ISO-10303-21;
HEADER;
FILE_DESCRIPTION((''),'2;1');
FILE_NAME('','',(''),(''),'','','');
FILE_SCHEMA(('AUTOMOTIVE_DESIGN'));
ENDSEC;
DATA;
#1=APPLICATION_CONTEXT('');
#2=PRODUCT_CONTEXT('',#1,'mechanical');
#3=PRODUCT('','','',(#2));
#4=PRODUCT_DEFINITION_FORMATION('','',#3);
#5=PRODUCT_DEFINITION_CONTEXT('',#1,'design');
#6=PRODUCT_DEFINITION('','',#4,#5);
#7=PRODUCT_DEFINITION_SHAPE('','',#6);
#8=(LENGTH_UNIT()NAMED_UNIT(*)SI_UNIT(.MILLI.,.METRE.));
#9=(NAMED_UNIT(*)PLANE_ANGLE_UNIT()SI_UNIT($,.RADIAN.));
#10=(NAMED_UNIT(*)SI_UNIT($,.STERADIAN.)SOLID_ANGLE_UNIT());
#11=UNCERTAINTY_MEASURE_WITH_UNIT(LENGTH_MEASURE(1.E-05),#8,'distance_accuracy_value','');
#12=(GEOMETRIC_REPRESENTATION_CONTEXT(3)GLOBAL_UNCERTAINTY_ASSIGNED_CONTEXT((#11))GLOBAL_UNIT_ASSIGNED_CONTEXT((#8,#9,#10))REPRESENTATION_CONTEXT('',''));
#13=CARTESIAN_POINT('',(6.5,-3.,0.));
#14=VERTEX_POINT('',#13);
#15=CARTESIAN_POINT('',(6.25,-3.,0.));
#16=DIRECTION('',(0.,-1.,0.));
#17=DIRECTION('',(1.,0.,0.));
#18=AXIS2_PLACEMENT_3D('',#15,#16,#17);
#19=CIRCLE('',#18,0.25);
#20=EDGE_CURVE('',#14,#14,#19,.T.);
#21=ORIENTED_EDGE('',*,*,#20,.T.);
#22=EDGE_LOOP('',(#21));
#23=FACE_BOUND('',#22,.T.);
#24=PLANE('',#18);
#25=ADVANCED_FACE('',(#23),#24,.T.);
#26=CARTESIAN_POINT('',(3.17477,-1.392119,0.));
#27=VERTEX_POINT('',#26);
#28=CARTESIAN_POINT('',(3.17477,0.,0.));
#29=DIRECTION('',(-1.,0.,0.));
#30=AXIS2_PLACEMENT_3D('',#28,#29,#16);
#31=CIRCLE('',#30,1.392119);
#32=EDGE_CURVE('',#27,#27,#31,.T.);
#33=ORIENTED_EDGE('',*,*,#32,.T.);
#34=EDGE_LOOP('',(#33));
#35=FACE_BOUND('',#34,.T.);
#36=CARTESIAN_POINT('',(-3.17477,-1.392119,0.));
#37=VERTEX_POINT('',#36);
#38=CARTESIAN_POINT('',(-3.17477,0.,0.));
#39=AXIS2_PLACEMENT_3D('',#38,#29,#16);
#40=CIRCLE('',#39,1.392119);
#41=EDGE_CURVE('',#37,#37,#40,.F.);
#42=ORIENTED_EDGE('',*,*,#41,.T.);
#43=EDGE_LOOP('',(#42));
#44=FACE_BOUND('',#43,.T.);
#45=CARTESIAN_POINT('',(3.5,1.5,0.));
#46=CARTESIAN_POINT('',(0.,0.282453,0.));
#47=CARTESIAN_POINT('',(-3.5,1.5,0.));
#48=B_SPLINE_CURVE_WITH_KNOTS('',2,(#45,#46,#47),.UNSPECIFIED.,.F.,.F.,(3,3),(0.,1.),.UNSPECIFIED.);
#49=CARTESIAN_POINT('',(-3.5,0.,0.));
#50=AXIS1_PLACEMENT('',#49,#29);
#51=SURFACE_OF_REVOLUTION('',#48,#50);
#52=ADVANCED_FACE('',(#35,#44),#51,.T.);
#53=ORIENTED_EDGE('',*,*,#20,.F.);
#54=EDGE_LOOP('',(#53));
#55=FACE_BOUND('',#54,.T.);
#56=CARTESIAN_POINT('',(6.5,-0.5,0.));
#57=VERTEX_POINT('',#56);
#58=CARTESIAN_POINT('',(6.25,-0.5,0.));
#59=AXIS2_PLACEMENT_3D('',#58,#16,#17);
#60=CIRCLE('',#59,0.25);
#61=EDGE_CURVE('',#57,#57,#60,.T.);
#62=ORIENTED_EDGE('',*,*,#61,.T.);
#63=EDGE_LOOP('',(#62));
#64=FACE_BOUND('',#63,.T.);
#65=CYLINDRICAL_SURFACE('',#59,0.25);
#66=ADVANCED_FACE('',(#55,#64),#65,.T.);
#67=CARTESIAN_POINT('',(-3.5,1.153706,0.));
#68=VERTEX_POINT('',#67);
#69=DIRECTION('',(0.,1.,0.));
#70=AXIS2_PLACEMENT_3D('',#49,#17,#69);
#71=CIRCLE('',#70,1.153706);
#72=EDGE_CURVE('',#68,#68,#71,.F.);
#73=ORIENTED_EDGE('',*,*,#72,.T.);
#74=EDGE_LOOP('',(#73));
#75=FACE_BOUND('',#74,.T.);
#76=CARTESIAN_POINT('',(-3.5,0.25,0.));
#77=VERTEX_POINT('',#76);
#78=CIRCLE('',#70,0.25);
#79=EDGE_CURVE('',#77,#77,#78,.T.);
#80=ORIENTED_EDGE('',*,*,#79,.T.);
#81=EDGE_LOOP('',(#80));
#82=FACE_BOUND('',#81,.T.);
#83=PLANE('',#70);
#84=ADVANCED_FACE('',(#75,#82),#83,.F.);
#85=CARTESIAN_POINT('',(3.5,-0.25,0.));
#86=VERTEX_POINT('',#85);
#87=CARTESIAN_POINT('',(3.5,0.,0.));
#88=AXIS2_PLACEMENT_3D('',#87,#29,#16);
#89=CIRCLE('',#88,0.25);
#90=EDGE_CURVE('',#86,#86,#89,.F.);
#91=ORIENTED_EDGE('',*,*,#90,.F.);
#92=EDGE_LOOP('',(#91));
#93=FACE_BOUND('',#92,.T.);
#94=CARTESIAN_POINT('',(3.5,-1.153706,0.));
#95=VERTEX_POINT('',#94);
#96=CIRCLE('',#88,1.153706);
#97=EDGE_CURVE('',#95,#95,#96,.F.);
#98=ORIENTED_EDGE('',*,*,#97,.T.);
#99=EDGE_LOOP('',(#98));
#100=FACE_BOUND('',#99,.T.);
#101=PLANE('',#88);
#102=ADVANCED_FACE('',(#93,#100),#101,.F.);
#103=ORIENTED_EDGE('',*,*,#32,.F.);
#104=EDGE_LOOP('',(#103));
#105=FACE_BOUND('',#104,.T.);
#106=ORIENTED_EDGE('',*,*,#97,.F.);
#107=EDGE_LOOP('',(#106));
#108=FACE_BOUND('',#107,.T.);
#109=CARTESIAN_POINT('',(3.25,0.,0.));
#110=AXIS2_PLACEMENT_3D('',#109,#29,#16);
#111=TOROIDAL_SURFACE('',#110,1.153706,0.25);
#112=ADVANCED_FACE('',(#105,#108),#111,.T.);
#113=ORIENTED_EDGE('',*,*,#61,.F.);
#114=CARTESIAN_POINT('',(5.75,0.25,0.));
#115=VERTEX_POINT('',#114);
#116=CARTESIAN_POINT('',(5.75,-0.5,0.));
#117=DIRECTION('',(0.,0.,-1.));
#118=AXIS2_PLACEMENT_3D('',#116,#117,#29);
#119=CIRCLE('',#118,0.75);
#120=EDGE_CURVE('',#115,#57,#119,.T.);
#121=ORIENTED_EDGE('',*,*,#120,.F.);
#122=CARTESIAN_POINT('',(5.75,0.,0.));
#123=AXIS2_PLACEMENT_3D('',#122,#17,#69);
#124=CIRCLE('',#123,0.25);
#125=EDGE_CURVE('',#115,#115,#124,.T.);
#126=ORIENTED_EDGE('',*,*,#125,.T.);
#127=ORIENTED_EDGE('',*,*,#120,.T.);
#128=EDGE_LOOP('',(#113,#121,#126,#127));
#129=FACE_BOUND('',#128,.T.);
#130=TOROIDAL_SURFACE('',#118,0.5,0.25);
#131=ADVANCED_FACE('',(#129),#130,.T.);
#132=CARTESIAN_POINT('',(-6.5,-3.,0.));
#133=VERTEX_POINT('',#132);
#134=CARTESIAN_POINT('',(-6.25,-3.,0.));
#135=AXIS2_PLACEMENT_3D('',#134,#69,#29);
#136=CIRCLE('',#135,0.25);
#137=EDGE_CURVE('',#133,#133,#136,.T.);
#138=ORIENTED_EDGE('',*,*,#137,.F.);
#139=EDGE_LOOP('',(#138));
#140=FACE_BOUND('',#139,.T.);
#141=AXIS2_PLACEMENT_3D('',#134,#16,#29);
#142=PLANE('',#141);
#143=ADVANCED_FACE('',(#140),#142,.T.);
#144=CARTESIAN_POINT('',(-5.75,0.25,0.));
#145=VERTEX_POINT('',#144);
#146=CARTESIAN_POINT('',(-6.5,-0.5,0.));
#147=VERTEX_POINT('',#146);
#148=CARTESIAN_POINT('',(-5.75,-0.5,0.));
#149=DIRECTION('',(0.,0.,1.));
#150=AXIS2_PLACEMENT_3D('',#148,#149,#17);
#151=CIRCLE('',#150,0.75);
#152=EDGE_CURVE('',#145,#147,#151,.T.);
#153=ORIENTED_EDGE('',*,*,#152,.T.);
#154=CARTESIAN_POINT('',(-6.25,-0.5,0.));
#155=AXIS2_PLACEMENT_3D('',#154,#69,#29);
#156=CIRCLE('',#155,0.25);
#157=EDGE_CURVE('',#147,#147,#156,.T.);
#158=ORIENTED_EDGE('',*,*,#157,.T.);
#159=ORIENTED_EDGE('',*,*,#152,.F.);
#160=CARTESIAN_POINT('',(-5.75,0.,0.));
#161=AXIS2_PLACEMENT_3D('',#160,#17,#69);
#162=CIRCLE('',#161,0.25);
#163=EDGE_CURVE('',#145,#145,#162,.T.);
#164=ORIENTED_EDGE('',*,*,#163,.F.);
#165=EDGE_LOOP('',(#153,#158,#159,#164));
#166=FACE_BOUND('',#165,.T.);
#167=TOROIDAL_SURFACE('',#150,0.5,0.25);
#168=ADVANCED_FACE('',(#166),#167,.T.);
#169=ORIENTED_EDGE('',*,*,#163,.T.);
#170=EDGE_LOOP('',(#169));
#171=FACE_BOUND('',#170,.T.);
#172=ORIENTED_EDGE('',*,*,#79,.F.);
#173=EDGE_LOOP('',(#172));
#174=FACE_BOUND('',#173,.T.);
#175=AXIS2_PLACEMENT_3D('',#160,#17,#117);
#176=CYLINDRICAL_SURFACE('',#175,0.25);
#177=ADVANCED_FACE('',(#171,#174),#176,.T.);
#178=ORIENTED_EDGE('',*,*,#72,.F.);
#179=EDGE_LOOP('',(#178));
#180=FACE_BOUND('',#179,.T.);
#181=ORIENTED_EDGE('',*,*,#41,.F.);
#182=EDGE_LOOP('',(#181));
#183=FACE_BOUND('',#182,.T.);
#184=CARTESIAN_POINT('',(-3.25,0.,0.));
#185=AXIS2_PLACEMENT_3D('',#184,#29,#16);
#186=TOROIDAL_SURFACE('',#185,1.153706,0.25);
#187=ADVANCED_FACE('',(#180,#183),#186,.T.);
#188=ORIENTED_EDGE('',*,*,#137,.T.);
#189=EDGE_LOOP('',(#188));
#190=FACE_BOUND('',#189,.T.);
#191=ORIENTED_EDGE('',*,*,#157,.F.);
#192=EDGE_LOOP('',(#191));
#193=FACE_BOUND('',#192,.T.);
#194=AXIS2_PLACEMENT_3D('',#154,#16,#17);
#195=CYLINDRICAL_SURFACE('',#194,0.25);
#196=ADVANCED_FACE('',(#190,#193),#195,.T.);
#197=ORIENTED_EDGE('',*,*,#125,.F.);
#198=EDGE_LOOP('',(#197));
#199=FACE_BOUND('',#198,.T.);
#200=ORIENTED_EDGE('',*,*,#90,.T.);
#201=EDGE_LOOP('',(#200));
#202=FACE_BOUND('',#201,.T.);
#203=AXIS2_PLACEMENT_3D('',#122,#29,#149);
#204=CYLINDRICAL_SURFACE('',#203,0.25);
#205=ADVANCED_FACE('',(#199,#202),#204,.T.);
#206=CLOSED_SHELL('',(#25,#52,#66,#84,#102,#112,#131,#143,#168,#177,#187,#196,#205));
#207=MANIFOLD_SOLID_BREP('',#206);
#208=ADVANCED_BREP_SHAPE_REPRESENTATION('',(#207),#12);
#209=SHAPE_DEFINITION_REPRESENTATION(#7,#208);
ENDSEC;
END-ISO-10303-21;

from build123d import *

# Parameters (mm, degrees)
FILLET2_R = 0.25
SKETCH4_R = 0.25


with BuildPart() as part:
    # Sketch1 → Revolve1 (revolve)
    with BuildSketch(Plane.XY):
        with BuildLine():
            Line((-3.5, 0), (3.5, 0))
            Line((3.5, 0), (3.5, 1.5))
            add(Edge.make_bspline(
                [(-3.5, 1.5), (0, 0.282452635), (3.5, 1.5)],
                knots=[0, 0, 0, 1, 1, 1], degree=2))
            Line((-3.5, 1.5), (-3.5, 0))
        make_face()
    revolve(axis=Axis((-3.5, 0, 0), (1, 0, 0)))

    # Fillet2
    fillet2_edges = [part.edges().sort_by_distance(p)[0] for p in [
        (3.5, -1.5, 0),
        (-3.5, -1.5, 0),
    ]]
    fillet(fillet2_edges, radius=FILLET2_R)

    # Sweep1: sweep along a path in Sketch3
    with BuildLine(Plane.XY) as sweep1_path:
        Line((3.5, 0), (5.75, 0))
        ThreePointArc((5.75, 0), (6.103553391, -0.146446609), (6.25, -0.5))
        Line((6.25, -0.5), (6.25, -3))
    # Sketch4 → Sweep1 (sweep)
    with BuildSketch(Plane(origin=(3.5, 0, 0), x_dir=(0, 0, -1), z_dir=(1, 0, 0))):
        Circle(SKETCH4_R)
    sweep1 = sweep(path=sweep1_path.line)

    # Mirror1: Sweep1 across plane
    add(sweep1.mirror(Plane(origin=(0, 0, 0), x_dir=(0, 0, 1), z_dir=(1, 0, 0))))


solid = part.part
